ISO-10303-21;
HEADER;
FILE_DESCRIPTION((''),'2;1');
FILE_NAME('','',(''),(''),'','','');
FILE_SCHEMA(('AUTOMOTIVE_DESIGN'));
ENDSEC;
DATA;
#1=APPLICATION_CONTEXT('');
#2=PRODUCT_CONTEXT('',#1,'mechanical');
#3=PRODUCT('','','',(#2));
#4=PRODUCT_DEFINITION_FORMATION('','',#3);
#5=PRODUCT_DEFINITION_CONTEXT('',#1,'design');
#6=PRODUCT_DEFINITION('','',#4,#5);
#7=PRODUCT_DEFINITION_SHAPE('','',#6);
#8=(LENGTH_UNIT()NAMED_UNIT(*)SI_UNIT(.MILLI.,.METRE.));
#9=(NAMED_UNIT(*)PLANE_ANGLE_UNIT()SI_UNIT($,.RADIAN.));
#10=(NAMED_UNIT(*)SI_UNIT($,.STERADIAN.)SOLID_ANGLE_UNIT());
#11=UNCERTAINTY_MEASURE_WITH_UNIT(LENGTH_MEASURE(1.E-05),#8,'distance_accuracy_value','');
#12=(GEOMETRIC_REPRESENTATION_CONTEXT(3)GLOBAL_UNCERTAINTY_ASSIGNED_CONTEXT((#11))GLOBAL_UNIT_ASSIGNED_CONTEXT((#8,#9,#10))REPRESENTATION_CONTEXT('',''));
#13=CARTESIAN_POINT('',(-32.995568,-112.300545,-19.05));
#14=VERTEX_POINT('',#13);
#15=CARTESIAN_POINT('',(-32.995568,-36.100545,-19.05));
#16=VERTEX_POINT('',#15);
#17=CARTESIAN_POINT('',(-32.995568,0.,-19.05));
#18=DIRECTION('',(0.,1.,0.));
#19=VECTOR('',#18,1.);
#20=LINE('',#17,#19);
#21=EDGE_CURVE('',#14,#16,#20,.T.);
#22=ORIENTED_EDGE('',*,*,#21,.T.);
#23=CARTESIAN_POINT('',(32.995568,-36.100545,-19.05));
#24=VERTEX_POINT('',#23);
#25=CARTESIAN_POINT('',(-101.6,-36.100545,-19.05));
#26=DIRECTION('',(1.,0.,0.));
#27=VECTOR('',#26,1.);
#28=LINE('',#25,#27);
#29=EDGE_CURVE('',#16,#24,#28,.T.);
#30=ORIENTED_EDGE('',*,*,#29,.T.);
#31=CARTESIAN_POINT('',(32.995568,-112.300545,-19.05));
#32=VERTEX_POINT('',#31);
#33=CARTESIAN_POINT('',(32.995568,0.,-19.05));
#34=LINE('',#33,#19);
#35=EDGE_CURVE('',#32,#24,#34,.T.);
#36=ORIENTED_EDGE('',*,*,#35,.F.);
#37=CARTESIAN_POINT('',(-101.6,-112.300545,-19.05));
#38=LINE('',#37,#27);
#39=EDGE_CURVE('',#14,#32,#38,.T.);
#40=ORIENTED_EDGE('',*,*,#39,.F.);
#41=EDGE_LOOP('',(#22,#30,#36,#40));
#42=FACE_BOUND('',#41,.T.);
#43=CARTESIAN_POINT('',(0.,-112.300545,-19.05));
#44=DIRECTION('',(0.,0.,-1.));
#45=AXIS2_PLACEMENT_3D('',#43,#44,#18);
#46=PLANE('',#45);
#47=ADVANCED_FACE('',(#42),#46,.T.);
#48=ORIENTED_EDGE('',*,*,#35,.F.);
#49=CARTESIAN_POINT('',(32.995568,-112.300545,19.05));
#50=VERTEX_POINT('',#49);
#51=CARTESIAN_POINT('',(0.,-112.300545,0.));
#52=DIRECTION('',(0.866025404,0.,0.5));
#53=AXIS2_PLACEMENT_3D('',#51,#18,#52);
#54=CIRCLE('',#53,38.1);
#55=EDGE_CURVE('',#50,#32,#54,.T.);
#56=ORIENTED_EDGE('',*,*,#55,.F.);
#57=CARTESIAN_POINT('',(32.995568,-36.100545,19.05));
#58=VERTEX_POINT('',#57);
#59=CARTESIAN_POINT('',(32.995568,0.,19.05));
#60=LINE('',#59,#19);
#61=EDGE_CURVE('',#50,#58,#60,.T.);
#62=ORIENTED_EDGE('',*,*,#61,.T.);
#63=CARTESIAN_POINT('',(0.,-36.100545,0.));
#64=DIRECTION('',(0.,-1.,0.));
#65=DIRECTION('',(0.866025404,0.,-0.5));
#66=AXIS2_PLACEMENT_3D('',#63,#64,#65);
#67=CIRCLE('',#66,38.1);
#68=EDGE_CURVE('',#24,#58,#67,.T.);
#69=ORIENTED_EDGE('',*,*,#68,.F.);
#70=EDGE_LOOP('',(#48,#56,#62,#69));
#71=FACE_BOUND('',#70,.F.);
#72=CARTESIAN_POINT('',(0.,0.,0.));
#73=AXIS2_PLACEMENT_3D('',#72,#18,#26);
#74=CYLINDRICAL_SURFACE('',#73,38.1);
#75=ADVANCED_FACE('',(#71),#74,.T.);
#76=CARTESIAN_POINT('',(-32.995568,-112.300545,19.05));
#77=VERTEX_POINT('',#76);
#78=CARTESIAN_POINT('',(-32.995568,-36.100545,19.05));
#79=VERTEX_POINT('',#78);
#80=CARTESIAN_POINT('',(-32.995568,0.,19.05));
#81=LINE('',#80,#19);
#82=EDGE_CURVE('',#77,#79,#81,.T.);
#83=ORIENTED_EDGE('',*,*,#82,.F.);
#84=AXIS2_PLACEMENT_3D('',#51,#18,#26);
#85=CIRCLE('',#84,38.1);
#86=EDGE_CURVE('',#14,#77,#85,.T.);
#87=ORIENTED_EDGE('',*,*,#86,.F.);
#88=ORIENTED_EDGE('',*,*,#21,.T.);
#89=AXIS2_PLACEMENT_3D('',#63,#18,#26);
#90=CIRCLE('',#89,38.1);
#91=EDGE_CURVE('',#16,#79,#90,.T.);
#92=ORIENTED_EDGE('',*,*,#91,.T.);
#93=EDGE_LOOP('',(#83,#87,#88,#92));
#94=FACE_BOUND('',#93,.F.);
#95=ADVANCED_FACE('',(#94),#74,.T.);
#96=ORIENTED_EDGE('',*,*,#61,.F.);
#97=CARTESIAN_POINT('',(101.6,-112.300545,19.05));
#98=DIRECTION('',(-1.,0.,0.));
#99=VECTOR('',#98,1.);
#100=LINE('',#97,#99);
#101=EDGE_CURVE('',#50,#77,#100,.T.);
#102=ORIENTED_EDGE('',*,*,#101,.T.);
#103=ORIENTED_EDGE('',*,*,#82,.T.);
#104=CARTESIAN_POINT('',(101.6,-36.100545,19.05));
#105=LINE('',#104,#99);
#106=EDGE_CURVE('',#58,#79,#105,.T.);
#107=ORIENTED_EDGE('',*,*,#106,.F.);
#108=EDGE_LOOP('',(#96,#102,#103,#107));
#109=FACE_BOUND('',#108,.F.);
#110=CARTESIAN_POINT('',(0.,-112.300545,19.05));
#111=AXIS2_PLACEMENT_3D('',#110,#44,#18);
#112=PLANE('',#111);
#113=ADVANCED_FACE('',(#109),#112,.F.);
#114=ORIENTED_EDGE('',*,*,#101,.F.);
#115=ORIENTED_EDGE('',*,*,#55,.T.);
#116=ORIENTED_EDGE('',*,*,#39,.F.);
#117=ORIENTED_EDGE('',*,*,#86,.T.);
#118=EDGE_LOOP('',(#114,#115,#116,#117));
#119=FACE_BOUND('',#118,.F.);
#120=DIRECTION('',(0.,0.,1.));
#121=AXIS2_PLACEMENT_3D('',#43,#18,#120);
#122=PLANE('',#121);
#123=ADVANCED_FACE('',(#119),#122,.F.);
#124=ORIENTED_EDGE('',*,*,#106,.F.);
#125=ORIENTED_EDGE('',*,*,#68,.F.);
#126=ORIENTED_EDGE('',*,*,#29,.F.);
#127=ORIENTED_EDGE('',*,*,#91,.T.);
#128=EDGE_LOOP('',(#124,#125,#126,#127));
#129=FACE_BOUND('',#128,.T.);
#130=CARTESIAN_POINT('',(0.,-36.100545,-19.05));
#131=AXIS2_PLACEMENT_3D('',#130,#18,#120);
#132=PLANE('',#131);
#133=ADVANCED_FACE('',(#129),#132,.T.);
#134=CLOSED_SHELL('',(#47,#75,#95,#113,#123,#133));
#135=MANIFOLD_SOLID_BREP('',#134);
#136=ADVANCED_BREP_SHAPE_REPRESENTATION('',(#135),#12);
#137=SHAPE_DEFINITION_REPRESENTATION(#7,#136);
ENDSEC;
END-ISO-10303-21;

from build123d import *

# Parameters (mm, degrees)
F0_R     = 38.1
F1_DEPTH = 127
F3_W     = 76.2
F3_H     = 38.1
F4_DEPTH = 101.6


with BuildPart() as f1:
    # F0 (on Front) → F1 (new body)
    with BuildSketch(Plane.XZ):
        Circle(F0_R)
    extrude(amount=F1_DEPTH)

    # F3 (on Right) → F4 (intersect, symmetric)
    with BuildSketch(Plane.YZ):
        with Locations((-74.200545, 0)):
            Rectangle(F3_W, F3_H)
    extrude(amount=F4_DEPTH, both=True, mode=Mode.INTERSECT)


solid = f1.part
